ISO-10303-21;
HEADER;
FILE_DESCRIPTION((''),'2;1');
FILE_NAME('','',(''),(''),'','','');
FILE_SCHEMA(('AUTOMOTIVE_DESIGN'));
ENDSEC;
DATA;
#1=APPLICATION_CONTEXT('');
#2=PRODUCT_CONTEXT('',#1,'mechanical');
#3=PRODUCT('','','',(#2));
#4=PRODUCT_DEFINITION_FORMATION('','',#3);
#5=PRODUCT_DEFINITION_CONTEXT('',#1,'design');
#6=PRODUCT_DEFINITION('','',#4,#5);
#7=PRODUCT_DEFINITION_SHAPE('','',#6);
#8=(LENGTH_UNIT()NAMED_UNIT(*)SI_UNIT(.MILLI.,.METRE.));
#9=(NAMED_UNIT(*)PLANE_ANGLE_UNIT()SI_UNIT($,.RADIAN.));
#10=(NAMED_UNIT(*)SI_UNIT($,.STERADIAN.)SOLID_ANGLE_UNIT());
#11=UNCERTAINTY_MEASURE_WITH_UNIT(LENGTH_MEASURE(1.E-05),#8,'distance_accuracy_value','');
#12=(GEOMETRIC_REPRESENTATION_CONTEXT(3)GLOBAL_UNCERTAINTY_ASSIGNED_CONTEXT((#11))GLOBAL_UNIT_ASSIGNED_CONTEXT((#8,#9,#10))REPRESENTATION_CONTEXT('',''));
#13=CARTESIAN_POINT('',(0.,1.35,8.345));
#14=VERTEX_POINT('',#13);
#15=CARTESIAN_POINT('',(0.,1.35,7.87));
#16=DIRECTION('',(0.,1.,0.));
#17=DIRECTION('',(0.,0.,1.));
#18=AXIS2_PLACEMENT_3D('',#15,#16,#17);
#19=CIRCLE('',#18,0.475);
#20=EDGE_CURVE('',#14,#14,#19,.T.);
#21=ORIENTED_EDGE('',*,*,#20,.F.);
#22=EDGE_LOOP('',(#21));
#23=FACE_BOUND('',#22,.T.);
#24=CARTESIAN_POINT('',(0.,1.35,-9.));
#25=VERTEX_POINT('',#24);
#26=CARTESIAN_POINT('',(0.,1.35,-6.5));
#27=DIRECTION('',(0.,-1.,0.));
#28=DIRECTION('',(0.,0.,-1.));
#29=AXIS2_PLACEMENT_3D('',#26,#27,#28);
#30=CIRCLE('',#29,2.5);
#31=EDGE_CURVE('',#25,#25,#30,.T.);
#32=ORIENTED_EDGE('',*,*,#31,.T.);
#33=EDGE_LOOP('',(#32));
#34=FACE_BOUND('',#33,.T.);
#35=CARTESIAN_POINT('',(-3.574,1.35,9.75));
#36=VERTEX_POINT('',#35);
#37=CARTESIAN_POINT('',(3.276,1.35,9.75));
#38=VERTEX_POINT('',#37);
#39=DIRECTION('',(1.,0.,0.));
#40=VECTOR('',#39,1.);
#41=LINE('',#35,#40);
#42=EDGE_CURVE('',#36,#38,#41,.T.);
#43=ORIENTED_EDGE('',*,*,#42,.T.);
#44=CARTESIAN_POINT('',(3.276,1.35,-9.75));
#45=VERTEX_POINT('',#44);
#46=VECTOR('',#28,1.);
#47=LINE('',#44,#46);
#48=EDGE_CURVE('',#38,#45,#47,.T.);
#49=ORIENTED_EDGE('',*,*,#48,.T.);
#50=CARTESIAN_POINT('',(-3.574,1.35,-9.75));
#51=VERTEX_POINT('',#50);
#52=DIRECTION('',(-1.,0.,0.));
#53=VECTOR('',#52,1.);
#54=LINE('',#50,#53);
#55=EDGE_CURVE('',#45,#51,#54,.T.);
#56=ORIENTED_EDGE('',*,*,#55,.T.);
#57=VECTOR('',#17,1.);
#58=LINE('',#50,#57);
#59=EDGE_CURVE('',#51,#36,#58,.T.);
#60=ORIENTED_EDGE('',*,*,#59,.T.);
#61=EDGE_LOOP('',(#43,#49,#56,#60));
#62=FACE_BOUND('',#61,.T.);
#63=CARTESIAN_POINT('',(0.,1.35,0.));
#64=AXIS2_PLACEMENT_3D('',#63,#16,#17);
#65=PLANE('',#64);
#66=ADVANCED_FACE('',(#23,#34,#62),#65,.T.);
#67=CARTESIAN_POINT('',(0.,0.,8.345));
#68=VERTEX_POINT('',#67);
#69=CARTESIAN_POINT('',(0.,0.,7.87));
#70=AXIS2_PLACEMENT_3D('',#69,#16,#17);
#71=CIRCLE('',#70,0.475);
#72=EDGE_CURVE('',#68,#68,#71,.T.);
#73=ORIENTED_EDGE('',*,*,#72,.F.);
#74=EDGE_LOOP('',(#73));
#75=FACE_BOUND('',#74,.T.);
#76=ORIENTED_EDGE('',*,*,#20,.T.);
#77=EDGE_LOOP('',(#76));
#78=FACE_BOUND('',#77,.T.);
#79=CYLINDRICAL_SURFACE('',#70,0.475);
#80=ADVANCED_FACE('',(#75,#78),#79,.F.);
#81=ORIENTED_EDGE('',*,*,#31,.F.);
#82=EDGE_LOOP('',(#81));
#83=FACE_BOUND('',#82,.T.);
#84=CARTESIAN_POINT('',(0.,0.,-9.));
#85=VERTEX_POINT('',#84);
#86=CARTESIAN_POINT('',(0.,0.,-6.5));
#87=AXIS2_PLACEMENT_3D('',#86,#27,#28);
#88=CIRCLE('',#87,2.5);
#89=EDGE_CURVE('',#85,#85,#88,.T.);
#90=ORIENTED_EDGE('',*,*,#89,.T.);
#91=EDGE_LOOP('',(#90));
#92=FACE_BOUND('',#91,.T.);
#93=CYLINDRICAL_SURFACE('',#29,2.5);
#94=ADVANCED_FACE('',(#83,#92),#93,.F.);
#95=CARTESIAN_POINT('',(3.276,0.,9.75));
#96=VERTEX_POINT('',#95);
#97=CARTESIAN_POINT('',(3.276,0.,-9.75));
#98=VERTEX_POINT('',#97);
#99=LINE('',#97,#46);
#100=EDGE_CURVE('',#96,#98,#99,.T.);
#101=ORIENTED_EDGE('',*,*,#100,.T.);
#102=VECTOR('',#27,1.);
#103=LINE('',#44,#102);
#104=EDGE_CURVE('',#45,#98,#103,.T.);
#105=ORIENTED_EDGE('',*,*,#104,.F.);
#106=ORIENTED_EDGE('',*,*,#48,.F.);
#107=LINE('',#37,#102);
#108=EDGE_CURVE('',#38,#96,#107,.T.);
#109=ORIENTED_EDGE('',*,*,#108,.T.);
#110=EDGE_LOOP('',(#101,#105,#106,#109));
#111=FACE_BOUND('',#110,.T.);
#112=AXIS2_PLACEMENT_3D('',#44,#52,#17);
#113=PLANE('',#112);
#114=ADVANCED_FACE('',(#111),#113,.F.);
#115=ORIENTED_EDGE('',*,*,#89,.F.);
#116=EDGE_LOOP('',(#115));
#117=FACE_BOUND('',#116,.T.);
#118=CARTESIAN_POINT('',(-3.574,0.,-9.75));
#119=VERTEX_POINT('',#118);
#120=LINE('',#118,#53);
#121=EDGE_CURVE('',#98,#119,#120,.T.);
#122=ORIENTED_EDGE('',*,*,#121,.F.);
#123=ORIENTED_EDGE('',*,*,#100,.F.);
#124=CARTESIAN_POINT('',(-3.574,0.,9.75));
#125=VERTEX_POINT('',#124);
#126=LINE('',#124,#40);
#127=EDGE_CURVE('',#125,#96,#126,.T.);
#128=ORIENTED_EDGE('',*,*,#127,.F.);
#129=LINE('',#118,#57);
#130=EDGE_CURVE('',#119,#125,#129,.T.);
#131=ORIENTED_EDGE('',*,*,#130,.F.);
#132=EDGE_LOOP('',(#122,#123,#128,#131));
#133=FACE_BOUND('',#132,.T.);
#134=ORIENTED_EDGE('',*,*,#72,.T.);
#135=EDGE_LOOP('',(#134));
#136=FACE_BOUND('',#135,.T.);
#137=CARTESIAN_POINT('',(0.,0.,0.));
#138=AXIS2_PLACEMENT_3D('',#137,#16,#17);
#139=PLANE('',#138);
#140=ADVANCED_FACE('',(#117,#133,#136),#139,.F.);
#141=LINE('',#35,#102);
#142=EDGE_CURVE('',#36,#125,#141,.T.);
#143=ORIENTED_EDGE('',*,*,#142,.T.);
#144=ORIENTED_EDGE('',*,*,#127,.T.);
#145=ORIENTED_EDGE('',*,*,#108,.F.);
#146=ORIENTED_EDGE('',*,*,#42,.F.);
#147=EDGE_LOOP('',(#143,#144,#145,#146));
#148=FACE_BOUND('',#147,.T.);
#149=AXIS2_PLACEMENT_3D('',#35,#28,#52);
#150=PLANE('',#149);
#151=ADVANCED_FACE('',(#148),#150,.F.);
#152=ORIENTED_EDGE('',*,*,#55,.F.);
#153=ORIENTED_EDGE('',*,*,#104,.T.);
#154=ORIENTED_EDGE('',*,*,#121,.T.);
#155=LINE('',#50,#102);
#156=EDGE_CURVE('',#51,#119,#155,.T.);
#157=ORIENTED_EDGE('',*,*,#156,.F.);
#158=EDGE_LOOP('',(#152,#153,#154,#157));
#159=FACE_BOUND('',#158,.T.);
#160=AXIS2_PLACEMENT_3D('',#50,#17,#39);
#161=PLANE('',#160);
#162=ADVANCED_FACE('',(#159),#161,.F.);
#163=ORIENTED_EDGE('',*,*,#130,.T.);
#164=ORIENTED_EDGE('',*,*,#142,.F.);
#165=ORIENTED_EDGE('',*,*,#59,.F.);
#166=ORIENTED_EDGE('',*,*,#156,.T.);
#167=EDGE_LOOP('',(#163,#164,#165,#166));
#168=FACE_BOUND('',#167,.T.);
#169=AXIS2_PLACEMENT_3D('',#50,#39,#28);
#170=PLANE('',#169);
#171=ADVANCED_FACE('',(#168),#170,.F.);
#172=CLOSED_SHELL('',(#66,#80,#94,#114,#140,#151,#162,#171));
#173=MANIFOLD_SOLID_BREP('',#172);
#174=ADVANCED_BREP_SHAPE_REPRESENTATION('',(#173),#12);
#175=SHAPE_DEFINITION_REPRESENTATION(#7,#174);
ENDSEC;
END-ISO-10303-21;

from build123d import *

# Parameters (mm, degrees)
SKETCH1_W           = 6.85
SKETCH1_H           = 19.5
BOSS_EXTRUDE2_DEPTH = 1.35
SKETCH2_R           = 2.5
CUT_EXTRUDE1_DEPTH  = 1.35
SKETCH3_R           = 0.475
CUT_EXTRUDE2_DEPTH  = 1.35


with BuildPart() as part:
    # Sketch1 → Boss-Extrude2 (new body)
    with BuildSketch(Plane(origin=(0, 0, 0), x_dir=(1, 0, 0), z_dir=(0, 1, 0))):
        with Locations((-0.149, 0)):
            Rectangle(SKETCH1_W, SKETCH1_H)
    extrude(amount=BOSS_EXTRUDE2_DEPTH)

    # Sketch2 → Cut-Extrude1 (cut)
    with BuildSketch(Plane.XZ):
        with Locations((0, -6.5)):
            Circle(SKETCH2_R)
    extrude(amount=-CUT_EXTRUDE1_DEPTH, mode=Mode.SUBTRACT)

    # Sketch3 → Cut-Extrude2 (cut)
    with BuildSketch(Plane(origin=(0, 1.35, 0), x_dir=(1, 0, 0), z_dir=(0, 1, 0))):
        with Locations((0, -7.87)):
            Circle(SKETCH3_R)
    extrude(amount=-CUT_EXTRUDE2_DEPTH, mode=Mode.SUBTRACT)


solid = part.part
